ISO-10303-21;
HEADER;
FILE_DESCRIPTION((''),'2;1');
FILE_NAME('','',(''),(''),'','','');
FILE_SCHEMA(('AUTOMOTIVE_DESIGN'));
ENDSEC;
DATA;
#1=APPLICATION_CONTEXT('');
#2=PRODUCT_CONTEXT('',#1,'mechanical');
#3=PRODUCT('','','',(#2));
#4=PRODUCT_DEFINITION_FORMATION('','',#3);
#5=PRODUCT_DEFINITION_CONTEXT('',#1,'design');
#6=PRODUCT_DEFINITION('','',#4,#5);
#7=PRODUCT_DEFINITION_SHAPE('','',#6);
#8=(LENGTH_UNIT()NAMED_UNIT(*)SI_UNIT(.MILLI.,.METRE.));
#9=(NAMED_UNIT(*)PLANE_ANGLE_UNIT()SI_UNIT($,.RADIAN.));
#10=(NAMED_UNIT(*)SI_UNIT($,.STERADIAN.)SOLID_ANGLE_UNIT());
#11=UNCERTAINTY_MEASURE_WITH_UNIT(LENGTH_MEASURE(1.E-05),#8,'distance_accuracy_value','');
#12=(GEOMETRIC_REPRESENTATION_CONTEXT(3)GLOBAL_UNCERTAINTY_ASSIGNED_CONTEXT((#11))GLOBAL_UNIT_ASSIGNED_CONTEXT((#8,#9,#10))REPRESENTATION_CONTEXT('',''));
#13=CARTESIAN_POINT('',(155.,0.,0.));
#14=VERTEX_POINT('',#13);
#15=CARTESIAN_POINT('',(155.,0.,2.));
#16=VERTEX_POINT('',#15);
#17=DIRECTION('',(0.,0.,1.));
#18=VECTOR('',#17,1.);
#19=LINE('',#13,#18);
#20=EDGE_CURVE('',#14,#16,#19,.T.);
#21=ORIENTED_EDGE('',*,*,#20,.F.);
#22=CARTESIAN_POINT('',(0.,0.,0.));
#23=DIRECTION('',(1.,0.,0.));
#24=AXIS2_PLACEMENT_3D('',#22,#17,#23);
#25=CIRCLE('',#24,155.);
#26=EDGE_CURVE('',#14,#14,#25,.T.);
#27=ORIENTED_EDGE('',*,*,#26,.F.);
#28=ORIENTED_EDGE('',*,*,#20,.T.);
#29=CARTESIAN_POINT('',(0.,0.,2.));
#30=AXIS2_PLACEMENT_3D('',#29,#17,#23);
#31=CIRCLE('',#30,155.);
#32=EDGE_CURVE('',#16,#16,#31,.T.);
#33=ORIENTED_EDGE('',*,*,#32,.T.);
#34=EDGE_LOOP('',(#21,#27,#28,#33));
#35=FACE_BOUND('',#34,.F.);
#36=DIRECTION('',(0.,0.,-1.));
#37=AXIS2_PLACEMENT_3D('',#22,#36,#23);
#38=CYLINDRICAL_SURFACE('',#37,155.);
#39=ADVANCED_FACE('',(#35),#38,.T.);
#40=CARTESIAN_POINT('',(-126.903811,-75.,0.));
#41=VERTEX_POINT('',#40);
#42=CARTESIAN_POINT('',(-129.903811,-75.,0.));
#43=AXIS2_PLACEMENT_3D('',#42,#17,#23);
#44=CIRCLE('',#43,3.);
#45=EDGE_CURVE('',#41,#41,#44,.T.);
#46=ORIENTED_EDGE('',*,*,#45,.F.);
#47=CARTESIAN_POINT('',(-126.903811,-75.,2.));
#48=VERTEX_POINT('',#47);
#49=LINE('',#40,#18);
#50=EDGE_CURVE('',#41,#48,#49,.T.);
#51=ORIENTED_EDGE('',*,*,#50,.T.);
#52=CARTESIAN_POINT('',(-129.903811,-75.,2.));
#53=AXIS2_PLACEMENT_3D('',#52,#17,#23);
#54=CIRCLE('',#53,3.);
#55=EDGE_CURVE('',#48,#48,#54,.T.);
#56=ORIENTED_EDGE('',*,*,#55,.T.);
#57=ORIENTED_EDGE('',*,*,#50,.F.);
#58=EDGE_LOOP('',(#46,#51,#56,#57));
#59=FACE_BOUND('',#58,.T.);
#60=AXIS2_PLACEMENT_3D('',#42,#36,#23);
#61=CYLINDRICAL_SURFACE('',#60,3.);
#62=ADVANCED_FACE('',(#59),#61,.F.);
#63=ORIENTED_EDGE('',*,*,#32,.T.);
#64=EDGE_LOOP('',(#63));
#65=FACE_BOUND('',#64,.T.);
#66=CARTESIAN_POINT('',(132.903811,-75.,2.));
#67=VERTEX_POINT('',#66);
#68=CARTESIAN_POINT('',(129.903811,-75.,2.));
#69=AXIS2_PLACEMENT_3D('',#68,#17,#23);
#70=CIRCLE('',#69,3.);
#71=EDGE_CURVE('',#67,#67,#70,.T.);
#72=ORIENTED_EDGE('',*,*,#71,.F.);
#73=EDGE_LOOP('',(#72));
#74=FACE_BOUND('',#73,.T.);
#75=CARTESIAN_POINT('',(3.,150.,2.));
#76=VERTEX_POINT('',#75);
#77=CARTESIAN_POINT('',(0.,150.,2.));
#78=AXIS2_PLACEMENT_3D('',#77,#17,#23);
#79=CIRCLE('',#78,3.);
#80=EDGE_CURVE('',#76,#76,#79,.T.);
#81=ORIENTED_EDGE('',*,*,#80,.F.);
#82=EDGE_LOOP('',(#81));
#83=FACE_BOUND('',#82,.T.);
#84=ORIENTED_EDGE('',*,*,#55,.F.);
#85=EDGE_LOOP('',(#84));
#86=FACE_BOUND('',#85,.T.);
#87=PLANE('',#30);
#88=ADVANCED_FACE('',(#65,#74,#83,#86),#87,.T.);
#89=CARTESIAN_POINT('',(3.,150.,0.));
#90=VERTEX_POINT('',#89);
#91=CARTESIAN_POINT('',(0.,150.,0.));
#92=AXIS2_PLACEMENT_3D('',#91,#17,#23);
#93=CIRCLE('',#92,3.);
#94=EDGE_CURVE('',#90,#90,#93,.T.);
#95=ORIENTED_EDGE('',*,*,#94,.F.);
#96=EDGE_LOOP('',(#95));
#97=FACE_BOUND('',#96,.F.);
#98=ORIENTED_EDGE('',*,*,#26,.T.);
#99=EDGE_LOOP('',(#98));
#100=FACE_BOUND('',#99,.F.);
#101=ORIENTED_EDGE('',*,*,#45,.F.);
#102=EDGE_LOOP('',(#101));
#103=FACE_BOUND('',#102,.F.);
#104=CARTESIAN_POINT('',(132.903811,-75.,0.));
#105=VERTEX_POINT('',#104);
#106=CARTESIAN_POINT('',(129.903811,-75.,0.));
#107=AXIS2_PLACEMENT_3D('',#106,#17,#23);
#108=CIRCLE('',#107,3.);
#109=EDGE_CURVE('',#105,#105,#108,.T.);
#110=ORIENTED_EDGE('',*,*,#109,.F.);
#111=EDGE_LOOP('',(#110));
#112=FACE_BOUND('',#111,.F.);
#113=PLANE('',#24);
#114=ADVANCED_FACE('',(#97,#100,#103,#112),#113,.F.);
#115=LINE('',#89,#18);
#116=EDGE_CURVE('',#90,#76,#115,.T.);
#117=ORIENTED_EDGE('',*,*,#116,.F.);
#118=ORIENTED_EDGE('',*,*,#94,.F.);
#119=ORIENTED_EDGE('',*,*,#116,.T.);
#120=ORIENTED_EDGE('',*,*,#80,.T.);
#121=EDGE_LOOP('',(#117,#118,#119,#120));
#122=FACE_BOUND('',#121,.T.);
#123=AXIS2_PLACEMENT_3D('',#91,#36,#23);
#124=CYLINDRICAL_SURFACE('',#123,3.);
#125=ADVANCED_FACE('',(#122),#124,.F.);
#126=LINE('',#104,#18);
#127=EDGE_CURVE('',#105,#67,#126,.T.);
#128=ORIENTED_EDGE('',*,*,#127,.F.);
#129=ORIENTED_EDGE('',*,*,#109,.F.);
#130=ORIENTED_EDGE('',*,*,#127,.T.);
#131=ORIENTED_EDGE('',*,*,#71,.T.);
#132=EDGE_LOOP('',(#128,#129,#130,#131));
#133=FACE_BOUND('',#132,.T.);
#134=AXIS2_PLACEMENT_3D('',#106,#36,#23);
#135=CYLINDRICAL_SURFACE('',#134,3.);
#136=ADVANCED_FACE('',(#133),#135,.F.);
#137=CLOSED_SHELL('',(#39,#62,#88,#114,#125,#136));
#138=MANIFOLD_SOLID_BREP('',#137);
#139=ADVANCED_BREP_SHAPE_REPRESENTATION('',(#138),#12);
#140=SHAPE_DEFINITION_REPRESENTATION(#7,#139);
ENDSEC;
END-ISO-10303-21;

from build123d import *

# Parameters (mm, degrees)
F0_R     = 155
F0_R_2   = 3
F1_DEPTH = 2


with BuildPart() as f1:
    # F0 (on Top) → F1 (new body)
    with BuildSketch(Plane.XY):
        Circle(F0_R)
        with Locations((-129.903811, -75)):
            Circle(F0_R_2, mode=Mode.SUBTRACT)
        with Locations((129.903811, -75)):
            Circle(F0_R_2, mode=Mode.SUBTRACT)
        with Locations((0, 150)):
            Circle(F0_R_2, mode=Mode.SUBTRACT)
    extrude(amount=F1_DEPTH)


solid = f1.part
